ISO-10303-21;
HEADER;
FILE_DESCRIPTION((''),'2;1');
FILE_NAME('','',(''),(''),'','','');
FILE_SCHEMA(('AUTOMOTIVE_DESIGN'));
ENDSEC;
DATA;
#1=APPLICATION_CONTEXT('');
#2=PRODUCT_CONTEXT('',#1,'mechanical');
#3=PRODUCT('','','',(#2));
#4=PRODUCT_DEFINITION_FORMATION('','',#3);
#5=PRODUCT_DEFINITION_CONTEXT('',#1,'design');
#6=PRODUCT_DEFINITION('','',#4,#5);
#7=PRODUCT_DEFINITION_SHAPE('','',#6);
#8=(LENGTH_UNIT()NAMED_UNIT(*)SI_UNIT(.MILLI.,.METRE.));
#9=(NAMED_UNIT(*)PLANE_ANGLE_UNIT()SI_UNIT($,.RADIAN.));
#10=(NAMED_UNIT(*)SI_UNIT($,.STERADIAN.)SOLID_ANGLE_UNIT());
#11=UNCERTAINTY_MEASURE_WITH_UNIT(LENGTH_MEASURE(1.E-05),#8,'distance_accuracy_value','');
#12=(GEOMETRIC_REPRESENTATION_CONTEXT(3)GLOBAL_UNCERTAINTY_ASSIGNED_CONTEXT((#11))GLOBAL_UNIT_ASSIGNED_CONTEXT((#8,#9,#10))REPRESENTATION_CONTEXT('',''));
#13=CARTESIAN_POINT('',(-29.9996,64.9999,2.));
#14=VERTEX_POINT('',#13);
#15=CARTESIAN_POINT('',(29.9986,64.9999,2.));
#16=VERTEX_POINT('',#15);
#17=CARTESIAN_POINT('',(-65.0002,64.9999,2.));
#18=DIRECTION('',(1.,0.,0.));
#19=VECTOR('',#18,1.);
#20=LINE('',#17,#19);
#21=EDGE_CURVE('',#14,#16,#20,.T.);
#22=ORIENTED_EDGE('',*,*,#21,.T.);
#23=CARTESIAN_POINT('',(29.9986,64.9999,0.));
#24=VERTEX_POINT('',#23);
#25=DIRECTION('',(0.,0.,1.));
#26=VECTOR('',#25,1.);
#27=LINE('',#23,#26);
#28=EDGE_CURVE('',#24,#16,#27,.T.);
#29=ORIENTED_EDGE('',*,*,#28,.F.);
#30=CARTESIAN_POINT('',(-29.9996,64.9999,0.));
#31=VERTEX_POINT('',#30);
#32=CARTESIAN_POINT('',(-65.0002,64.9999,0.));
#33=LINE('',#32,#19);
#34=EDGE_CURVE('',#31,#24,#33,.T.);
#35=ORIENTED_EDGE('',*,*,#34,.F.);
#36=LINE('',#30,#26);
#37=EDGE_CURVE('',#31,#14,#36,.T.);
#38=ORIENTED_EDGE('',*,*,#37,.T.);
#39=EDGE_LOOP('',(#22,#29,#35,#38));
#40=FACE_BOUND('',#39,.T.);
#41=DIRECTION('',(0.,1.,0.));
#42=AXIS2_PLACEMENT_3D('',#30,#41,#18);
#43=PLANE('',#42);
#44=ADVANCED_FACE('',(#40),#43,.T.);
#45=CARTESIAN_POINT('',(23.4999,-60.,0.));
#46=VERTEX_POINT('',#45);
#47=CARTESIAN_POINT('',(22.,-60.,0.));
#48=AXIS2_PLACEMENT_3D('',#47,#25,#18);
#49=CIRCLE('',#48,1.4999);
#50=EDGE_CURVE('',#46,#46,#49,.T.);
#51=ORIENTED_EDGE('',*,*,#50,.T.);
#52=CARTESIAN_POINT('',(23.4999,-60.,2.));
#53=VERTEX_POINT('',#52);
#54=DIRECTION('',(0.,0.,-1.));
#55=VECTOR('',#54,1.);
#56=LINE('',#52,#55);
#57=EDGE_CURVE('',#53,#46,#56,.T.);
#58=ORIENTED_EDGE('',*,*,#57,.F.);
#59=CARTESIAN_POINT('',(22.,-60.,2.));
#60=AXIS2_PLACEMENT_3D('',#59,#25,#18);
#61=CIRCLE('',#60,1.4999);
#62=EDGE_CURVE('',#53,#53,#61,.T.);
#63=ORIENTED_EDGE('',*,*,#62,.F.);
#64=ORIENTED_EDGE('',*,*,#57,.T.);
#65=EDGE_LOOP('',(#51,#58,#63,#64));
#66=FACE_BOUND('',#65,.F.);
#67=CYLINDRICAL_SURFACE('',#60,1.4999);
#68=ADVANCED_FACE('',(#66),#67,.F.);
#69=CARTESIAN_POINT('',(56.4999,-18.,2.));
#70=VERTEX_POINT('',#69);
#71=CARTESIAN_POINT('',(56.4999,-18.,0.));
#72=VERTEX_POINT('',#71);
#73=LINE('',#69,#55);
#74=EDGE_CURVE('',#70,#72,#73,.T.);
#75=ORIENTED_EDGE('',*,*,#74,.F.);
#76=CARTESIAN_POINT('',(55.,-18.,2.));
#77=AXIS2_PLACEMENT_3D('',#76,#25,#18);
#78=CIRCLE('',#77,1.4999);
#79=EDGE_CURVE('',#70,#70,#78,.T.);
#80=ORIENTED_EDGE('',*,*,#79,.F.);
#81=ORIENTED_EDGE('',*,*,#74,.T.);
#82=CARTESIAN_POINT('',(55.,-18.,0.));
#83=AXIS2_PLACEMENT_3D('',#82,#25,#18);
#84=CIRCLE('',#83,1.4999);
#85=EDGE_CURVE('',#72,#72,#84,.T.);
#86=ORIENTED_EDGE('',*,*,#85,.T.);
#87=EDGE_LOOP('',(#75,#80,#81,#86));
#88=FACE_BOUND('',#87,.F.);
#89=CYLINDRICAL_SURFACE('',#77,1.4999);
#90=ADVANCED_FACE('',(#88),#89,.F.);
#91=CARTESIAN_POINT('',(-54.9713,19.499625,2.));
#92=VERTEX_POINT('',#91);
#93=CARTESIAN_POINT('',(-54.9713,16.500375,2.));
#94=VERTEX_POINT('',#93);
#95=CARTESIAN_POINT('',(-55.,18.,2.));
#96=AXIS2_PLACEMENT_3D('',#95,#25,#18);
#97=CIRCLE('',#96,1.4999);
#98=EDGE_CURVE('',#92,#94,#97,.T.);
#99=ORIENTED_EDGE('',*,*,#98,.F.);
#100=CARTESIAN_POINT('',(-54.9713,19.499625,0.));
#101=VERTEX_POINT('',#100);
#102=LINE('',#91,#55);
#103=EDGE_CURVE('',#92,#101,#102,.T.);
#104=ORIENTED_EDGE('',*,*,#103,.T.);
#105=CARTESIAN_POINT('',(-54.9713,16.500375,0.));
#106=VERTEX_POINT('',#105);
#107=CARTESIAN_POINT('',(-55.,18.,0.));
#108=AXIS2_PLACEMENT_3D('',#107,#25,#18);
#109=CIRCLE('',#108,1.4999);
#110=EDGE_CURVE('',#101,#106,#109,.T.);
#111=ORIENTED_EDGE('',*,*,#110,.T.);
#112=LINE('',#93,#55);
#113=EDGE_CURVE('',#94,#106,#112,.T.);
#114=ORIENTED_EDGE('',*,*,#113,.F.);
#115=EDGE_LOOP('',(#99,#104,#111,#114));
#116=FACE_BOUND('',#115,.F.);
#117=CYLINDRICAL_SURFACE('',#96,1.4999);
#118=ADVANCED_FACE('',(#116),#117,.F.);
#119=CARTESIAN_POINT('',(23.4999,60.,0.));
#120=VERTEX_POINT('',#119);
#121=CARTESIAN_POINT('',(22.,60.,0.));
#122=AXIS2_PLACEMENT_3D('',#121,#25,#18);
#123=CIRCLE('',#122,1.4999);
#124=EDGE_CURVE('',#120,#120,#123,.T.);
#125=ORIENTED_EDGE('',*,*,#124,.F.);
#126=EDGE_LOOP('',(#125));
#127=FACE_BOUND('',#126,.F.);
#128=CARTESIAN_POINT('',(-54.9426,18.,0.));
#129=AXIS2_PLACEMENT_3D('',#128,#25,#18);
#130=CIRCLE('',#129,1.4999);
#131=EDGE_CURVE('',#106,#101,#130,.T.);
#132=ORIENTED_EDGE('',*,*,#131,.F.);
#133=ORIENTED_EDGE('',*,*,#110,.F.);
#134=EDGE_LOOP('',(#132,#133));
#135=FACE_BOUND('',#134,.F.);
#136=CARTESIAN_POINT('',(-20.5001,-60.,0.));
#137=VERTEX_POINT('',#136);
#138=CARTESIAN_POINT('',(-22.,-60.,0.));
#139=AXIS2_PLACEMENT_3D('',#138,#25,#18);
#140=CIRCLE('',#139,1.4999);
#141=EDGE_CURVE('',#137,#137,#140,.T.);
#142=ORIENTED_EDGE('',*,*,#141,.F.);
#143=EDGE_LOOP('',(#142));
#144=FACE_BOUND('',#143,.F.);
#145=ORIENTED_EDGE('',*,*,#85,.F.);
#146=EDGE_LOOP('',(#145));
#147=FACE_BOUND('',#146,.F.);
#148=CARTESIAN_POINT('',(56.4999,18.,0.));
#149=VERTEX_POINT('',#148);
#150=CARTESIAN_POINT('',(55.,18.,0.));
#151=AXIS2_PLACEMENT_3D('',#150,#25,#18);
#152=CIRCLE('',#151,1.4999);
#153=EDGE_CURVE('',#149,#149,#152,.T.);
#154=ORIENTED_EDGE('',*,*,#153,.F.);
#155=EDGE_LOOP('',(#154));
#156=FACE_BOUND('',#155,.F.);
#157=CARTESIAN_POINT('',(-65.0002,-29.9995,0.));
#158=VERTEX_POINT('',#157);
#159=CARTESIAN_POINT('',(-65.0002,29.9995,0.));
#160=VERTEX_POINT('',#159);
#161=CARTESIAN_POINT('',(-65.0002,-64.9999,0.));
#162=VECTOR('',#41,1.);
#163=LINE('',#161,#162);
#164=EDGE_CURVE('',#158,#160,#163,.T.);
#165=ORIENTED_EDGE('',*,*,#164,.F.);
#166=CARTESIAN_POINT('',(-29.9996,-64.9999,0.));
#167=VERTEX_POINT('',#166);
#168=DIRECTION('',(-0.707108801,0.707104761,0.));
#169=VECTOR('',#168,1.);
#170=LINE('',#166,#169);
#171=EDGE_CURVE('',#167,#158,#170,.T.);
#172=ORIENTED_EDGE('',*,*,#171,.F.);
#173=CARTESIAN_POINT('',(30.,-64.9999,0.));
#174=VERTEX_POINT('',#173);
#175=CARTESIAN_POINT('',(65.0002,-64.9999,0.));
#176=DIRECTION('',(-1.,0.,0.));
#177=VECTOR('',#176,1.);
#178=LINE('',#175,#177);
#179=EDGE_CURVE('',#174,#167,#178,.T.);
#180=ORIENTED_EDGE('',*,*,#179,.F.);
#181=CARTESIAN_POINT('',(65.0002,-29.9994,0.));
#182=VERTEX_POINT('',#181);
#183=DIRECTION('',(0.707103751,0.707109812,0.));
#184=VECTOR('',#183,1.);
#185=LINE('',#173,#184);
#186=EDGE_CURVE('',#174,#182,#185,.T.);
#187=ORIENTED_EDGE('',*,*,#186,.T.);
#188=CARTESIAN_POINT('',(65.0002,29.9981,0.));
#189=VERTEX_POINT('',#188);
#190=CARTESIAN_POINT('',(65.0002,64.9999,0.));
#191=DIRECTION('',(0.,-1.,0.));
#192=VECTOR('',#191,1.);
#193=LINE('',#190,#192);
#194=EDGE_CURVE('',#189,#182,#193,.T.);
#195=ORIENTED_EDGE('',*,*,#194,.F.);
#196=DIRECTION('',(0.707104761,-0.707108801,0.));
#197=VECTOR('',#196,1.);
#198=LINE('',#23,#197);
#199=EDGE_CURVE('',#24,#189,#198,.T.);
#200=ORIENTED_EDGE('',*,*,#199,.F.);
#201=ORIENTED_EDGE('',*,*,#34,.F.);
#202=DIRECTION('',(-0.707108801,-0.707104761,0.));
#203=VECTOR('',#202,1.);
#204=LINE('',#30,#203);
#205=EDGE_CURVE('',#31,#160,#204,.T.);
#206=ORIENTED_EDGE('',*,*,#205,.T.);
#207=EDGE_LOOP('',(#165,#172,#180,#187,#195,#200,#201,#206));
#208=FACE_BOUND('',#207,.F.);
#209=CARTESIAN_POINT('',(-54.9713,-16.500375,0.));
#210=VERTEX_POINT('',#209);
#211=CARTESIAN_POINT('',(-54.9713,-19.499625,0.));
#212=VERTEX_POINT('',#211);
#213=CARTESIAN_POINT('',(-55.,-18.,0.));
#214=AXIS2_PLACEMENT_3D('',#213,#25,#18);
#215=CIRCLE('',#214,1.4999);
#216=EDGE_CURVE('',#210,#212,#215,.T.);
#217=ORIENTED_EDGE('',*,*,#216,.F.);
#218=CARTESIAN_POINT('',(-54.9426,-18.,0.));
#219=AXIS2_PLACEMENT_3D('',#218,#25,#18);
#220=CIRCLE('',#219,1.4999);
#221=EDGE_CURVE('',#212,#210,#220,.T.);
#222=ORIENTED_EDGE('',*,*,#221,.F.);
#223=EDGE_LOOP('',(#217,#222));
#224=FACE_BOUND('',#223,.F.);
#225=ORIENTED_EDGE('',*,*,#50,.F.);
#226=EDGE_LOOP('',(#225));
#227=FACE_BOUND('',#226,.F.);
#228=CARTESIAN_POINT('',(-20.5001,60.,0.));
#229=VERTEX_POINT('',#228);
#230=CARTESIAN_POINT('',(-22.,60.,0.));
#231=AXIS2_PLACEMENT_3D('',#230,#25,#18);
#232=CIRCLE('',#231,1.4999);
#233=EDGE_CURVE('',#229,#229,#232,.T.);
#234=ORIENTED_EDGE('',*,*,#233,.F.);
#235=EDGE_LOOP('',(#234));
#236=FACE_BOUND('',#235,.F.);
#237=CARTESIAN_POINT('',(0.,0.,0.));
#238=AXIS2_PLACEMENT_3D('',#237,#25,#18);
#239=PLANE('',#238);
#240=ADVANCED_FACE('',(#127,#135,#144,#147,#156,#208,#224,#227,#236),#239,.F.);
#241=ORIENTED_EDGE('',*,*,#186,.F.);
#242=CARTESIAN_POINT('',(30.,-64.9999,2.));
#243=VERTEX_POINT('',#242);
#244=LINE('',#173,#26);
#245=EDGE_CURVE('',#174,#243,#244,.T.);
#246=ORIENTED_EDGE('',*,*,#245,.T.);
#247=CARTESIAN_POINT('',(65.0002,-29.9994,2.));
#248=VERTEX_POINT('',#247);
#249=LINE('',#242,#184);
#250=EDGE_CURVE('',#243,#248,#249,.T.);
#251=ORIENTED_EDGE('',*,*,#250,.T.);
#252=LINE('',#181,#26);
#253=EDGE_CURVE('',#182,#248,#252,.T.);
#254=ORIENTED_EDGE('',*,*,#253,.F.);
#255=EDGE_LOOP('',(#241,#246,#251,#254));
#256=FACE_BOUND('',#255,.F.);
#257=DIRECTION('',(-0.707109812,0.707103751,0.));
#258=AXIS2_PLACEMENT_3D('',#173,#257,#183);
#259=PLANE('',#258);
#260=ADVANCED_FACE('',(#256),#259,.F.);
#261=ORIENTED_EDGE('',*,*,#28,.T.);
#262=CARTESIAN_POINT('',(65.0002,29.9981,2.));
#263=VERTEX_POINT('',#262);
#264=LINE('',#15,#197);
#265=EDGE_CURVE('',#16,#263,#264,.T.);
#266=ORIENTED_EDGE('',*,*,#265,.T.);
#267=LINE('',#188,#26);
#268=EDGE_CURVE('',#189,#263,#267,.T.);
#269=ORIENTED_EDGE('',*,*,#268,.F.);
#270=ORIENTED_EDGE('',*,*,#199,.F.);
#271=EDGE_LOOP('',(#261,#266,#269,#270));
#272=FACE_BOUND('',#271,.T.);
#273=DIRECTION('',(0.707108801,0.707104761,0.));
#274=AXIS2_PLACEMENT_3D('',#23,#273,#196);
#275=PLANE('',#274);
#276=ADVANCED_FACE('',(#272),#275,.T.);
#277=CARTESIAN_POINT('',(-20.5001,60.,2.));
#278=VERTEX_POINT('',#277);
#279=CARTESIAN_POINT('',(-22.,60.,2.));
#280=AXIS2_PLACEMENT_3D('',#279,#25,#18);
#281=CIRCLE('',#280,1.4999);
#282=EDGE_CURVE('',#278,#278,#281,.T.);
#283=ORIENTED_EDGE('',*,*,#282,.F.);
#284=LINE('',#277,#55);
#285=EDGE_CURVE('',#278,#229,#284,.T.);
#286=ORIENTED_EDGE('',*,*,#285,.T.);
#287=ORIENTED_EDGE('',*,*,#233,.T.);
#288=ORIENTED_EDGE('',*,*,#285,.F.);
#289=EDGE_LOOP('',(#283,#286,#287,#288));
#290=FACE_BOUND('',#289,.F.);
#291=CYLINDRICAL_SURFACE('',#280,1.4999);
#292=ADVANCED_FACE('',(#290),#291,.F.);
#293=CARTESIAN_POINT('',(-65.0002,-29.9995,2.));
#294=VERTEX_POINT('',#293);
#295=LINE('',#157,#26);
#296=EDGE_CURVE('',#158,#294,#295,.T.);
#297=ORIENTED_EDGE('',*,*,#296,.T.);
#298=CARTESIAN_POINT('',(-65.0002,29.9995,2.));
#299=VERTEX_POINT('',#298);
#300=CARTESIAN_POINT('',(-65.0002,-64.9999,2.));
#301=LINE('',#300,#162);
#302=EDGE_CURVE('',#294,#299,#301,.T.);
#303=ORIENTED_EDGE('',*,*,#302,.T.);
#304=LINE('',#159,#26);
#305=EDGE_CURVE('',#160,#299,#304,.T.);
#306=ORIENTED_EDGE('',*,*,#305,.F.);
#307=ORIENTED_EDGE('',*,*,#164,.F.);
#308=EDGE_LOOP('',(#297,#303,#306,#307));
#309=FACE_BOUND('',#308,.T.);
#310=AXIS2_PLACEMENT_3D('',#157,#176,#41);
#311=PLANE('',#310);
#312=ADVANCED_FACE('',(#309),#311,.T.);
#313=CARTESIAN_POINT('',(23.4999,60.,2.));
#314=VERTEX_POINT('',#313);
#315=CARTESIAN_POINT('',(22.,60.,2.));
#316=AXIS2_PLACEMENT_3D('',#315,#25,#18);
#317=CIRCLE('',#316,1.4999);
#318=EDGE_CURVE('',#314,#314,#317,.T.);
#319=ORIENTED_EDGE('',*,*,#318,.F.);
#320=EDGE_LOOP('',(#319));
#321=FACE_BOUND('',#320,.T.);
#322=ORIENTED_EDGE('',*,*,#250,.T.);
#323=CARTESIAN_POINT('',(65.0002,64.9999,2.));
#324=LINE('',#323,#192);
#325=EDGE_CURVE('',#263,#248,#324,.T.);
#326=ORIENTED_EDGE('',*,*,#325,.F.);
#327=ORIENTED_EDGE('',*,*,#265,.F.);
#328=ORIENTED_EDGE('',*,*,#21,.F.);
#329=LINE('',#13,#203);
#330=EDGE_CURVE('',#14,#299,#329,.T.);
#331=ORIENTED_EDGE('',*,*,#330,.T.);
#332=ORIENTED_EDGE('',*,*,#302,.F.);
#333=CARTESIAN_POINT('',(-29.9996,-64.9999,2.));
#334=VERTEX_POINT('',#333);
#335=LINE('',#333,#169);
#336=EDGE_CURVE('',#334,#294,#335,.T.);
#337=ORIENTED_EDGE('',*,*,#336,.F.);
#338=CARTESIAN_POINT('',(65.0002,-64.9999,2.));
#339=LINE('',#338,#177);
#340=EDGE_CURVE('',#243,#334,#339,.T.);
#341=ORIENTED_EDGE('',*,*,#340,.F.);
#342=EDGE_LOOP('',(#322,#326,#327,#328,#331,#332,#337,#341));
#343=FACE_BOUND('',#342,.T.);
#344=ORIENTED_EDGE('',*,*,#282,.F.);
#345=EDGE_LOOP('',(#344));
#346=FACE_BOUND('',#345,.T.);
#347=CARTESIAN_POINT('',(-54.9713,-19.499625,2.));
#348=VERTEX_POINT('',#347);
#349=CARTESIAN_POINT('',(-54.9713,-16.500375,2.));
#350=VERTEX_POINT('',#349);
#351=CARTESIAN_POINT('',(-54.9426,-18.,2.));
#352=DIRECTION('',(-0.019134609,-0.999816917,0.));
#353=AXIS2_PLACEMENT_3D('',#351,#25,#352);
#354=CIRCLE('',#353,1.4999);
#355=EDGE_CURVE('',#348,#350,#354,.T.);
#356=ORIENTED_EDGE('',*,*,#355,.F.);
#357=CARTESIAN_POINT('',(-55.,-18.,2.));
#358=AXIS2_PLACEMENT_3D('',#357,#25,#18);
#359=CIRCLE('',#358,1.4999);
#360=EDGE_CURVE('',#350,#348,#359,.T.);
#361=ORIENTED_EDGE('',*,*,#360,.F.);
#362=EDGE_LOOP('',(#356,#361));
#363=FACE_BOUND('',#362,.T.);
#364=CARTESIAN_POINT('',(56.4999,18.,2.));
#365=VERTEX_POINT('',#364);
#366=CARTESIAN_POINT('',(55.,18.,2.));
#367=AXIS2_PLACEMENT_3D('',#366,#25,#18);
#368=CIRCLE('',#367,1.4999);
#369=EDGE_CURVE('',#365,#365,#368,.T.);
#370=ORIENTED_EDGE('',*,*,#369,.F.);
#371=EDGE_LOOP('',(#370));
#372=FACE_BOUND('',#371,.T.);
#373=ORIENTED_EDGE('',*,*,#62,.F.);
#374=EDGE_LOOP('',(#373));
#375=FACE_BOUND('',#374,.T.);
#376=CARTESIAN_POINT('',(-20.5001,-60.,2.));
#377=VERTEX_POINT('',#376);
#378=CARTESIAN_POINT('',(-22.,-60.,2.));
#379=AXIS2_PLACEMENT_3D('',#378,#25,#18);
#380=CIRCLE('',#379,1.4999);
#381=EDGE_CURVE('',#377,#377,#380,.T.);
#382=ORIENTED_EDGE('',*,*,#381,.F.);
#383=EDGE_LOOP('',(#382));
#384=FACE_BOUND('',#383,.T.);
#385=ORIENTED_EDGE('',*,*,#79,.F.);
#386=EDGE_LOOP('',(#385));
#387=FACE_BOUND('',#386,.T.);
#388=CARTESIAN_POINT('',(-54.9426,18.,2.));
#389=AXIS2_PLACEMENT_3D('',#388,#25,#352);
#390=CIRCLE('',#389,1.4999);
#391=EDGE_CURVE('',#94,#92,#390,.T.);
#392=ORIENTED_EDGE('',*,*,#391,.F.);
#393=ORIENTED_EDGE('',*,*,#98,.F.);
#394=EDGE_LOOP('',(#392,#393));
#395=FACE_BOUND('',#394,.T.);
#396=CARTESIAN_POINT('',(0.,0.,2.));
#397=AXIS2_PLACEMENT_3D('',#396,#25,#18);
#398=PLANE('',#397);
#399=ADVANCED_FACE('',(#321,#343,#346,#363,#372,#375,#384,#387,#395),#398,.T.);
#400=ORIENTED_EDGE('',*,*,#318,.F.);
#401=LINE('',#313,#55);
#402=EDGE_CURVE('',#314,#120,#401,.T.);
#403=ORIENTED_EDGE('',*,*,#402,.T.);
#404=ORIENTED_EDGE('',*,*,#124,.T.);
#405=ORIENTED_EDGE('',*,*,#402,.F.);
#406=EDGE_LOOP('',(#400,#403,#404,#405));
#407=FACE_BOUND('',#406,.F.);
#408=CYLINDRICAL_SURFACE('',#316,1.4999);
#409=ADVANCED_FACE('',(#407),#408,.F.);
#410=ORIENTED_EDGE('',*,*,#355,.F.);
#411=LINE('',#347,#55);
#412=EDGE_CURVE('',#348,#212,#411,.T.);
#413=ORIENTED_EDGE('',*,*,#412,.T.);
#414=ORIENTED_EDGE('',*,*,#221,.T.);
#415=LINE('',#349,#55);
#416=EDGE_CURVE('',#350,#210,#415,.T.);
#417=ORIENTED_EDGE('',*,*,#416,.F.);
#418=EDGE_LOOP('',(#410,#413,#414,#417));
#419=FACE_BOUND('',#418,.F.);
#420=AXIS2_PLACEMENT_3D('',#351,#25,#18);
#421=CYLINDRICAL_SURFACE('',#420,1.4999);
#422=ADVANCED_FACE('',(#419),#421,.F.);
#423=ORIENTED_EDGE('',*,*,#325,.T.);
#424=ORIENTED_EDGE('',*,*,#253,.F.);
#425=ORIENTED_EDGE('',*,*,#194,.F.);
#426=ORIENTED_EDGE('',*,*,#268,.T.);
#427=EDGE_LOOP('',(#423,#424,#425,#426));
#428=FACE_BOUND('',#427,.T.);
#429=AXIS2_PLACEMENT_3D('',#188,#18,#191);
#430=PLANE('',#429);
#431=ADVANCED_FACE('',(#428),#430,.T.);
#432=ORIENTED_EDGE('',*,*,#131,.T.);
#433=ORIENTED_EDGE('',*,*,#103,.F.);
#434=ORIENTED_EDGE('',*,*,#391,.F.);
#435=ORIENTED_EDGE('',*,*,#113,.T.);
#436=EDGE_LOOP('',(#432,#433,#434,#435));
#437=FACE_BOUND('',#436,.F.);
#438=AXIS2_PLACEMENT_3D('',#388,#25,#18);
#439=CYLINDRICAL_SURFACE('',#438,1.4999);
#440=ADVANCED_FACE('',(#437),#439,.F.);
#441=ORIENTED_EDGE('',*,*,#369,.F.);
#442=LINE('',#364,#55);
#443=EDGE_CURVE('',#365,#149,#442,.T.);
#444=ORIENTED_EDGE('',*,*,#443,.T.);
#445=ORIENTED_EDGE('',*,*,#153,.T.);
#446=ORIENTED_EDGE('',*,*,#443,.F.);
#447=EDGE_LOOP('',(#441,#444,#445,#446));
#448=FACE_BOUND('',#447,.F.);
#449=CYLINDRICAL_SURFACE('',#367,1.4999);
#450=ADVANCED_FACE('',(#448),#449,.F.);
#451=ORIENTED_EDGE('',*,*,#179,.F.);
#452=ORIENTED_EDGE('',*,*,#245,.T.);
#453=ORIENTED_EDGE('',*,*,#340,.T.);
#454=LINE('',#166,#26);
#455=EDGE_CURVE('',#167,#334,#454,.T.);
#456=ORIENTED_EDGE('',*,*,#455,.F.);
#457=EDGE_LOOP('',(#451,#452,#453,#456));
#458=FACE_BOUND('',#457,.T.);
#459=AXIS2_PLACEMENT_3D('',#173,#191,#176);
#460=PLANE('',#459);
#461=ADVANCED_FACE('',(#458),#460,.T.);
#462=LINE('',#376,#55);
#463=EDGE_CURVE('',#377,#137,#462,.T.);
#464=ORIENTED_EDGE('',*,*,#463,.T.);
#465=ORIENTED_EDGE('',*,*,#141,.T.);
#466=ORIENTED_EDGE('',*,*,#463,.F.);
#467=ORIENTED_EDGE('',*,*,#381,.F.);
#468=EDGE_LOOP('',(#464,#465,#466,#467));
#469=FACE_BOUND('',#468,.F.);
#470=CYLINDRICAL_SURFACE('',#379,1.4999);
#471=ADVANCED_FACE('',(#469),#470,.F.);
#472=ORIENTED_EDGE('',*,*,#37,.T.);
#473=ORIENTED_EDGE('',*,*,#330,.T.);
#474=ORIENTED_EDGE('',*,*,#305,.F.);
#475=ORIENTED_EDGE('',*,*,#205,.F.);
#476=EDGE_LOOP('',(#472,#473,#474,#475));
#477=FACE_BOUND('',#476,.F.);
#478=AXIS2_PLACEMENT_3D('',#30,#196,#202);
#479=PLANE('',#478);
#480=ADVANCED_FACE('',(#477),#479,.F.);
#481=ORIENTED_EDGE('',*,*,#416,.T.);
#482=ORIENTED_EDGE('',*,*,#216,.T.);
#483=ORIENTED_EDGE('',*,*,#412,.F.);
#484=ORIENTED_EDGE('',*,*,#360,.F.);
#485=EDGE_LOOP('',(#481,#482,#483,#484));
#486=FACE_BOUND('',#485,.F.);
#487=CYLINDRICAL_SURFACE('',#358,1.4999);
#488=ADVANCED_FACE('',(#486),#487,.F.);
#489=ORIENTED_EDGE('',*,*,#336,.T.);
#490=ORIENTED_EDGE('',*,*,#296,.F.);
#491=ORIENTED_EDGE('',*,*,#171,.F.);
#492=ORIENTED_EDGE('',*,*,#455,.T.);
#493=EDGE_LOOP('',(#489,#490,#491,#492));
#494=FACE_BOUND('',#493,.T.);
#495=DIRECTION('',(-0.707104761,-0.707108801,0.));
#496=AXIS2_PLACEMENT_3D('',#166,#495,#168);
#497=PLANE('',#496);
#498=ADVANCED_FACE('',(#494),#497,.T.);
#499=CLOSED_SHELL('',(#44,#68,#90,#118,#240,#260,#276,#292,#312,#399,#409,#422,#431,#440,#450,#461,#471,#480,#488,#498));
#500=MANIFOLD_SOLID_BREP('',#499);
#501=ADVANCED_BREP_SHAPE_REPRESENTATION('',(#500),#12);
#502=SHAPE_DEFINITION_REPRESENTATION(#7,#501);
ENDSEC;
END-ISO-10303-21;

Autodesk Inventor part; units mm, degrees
ref_plane "YZ Plane" through (0, 0, 0) normal (1, 0, 0) x (0, 1, 0)
ref_plane "XZ Plane" through (0, 0, 0) normal (0, 1, 0) x (-1, 0, 0)
ref_plane "XY Plane" through (0, 0, 0) normal (0, 0, 1) x (1, 0, 0)
sketch "Sketch1" plane through (0, 0, 0) normal (0, 0, 1) x (1, 0, 0)
  line L0 (-65.0002, 64.9999) -> (65.0002, 64.9999)
  line L1 (65.0002, 64.9999) -> (65.0002, -64.9999)
  line L2 (65.0002, -64.9999) -> (-65.0002, -64.9999)
  line L3 (-65.0002, -64.9999) -> (-65.0002, 64.9999)
  line L4 (-65.0002, 64.9999) -> (65.0002, -64.9999) construction
  line L5 (65.0002, 64.9999) -> (-65.0002, -64.9999) construction
  line L6 (30, -64.9999) -> (65.0002, -29.9994)
  line L7 (-29.9996, -64.9999) -> (-65.0002, -29.9995)
  line L8 (-29.9996, 64.9999) -> (-65.0002, 29.9995)
  line L9 (29.9986, 64.9999) -> (65.0002, 29.9981)
  point P0 (0, 0)
extrude "Extrusion1" add sketch "Sketch1" along normal blind 2 contours L0 L9 L1 L6 L2 L7 L3 L8
sketch "Sketch2" plane through (0, 0, 2) normal (0, 0, 1) x (1, 0, 0)
  circle A0 centre (22, 60) radius 1.4999
  circle A1 centre (-22, 60) radius 1.4999
  circle A2 centre (22, -60) radius 1.4999
  circle A3 centre (-22, -60) radius 1.4999
  circle A4 centre (55, 18) radius 1.4999
  circle A5 centre (55, -18) radius 1.4999
  circle A6 centre (-55, 18) radius 1.4999
  circle A7 centre (-54.9426, 18) radius 1.4999
  circle A8 centre (-55, -18) radius 1.4999
  circle A9 centre (-54.9426, -18) radius 1.4999
  point P0 (-54.9713, 16.5004)
  point P1 (-54.9713, 19.4996)
  point P2 (-54.9713, -19.4996)
  point P3 (-54.9713, -16.5004)
extrude "Extrusion2" cut sketch "Sketch2" against normal blind 10
properties part number "t960_power_distribution_board_TL2996"
